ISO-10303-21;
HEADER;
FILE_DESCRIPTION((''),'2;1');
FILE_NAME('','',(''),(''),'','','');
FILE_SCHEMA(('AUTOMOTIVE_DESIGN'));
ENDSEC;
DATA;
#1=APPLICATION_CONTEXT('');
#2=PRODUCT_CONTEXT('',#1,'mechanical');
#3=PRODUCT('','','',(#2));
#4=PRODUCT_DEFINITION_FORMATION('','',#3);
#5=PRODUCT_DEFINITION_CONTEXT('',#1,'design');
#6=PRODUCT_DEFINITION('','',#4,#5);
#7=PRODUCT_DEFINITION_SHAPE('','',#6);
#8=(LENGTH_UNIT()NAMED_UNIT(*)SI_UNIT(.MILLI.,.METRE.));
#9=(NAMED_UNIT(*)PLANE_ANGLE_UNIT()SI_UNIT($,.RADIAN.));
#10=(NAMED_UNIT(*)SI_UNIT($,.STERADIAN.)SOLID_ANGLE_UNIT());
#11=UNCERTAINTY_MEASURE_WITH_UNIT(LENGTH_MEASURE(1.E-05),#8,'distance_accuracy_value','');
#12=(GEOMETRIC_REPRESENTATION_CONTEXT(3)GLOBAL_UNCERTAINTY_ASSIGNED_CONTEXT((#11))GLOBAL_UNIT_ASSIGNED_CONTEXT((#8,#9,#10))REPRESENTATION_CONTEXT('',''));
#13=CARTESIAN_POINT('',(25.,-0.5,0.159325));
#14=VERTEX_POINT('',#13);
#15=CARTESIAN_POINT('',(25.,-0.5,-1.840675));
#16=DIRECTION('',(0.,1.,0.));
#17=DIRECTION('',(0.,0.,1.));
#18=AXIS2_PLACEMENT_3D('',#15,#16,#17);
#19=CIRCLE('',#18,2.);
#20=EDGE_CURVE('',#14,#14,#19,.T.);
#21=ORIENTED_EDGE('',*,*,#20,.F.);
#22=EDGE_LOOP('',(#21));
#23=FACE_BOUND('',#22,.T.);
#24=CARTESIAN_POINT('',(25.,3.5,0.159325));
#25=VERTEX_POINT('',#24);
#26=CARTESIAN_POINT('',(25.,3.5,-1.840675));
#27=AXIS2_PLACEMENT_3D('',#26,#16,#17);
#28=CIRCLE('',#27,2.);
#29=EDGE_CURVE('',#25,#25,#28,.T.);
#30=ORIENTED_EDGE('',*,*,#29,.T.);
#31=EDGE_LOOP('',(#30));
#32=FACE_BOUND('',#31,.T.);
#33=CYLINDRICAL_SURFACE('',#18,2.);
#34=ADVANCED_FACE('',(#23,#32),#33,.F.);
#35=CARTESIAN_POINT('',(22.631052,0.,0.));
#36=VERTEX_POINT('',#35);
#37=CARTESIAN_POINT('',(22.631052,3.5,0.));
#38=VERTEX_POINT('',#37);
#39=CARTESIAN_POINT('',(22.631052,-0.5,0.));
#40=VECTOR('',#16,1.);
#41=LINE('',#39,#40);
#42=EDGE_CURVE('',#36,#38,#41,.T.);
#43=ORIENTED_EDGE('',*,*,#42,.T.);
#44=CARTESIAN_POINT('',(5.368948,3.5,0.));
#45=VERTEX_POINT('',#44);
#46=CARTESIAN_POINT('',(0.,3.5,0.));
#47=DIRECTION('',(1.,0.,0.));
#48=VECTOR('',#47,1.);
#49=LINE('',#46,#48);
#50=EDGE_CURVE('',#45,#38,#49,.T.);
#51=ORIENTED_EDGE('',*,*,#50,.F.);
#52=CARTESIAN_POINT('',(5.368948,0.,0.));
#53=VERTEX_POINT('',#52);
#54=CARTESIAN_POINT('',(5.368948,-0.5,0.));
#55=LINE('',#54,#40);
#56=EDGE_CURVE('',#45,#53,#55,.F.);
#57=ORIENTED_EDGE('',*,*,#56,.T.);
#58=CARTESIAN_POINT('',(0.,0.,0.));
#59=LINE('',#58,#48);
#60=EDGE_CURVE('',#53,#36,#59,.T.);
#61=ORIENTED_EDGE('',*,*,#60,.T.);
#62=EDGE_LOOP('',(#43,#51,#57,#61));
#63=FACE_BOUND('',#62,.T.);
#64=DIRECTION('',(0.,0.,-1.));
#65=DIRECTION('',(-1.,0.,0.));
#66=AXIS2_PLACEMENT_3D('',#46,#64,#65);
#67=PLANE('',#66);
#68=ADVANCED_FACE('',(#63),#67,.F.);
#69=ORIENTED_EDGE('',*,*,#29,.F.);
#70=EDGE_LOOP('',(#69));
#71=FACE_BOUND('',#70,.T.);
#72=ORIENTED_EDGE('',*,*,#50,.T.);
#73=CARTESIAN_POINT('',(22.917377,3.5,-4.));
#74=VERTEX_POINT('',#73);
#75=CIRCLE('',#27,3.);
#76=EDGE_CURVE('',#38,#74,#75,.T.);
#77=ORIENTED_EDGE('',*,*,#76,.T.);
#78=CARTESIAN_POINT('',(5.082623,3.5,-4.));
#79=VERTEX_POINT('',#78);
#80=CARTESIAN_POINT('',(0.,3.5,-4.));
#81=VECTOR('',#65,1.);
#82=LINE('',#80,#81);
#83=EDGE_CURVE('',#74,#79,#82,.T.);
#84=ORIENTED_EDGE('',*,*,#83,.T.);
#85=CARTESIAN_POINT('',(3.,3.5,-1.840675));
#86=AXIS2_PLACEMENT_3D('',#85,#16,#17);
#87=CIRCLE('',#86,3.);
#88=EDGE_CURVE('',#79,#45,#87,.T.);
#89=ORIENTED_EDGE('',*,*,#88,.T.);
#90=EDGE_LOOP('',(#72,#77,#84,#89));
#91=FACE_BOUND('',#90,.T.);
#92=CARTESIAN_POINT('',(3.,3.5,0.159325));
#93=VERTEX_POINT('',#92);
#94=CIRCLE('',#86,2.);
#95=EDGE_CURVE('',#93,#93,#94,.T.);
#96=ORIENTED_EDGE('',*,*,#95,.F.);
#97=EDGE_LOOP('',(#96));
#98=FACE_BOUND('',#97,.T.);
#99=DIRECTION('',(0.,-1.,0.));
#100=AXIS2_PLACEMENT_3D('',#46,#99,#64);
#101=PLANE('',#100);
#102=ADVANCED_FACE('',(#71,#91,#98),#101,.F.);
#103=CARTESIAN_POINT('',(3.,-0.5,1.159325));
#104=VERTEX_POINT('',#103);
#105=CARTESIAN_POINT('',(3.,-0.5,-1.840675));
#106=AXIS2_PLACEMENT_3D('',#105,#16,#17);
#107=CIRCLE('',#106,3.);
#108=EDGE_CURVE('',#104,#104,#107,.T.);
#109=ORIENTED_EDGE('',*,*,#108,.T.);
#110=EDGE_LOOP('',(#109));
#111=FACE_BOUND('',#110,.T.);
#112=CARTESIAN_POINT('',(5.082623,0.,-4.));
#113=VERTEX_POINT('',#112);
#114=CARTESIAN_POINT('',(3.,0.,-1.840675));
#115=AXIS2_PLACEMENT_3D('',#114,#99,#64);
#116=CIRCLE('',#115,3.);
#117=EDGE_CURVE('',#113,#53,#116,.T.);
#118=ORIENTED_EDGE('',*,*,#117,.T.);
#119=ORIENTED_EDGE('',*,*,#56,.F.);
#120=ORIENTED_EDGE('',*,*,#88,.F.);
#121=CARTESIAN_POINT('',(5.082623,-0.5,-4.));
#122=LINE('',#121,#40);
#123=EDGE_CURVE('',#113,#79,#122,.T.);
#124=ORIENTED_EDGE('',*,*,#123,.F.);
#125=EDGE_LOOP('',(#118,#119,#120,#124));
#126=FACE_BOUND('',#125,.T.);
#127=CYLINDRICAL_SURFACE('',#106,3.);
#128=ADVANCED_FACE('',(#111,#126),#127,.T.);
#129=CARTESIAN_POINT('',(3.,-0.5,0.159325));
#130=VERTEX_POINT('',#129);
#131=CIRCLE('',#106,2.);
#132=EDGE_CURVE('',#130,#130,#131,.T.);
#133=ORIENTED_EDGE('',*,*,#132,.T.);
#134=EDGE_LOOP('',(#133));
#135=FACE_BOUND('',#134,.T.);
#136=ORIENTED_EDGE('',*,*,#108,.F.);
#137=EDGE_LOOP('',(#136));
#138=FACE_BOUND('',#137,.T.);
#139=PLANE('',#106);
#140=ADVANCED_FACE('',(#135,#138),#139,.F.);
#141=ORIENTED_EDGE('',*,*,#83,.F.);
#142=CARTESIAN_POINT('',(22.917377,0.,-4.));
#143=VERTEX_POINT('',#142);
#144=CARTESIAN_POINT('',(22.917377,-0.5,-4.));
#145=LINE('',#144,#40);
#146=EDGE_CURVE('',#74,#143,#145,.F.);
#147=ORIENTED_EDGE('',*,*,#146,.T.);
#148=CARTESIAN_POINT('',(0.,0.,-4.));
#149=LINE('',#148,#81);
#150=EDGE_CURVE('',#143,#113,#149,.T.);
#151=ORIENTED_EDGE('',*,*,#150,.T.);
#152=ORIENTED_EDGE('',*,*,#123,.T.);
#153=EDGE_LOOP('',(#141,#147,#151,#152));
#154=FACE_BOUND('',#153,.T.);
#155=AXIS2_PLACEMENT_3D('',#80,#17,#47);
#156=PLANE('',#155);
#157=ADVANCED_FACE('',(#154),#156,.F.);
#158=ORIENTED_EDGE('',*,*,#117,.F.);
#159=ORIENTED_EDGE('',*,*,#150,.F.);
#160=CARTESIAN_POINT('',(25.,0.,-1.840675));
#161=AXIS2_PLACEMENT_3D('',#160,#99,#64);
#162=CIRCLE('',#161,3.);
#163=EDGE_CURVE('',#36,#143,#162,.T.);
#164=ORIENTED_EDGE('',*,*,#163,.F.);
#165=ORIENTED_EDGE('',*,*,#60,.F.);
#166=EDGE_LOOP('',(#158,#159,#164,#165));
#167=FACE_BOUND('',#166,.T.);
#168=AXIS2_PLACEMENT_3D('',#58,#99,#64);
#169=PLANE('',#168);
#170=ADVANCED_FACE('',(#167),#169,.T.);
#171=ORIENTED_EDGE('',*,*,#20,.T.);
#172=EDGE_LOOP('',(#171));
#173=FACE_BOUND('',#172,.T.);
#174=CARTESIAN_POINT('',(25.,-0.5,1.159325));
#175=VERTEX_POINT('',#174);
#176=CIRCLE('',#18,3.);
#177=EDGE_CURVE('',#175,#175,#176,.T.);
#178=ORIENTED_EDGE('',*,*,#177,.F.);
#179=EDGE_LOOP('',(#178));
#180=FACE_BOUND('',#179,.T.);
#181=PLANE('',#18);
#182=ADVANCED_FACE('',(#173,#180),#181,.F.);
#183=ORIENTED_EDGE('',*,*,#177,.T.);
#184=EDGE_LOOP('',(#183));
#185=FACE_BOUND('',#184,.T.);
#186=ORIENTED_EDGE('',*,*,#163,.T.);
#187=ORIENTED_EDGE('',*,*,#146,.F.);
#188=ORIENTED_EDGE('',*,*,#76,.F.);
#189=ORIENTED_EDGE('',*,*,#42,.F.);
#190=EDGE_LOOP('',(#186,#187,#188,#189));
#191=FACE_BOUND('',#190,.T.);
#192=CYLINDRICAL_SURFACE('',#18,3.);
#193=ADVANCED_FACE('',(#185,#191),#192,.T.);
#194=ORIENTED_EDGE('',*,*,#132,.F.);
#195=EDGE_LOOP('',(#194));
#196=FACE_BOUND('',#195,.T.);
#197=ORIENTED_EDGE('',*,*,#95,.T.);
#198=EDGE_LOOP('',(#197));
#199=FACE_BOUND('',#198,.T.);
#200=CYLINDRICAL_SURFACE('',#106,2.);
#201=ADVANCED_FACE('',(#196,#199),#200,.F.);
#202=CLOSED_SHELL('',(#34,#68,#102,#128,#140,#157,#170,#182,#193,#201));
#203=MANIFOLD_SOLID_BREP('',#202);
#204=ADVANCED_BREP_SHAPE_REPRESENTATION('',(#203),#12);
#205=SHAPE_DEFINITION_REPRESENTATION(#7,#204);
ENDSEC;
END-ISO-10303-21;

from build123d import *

# Parameters (mm, degrees)
ESQUISSE1_W             = 28
ESQUISSE1_H             = 4
BOSS_EXTRU_1_DEPTH      = 3.5
ESQUISSE2_R             = 3
BOSS_EXTRU_2_DEPTH      = 4
ESQUISSE3_R             = 2
ENL_V_MAT_EXTRU_1_DEPTH = 4
ENL_V_MAT_EXTRU_2_DEPTH = 4
ENL_V_MAT_EXTRU_3_DEPTH = 4


with BuildPart() as part:
    # Esquisse1 → Boss.-Extru.1 (new body)
    with BuildSketch(Plane(origin=(0, 0, 0), x_dir=(1, 0, 0), z_dir=(0, 1, 0))):
        with Locations((14, 2)):
            Rectangle(ESQUISSE1_W, ESQUISSE1_H)
    extrude(amount=BOSS_EXTRU_1_DEPTH)

    # Esquisse2 → Boss.-Extru.2 (add)
    with BuildSketch(Plane(origin=(0, 3.5, 0), x_dir=(1, 0, 0), z_dir=(0, 1, 0))):
        with Locations(Location((3, 1.840675307, 0), (0, 0, 270))):
            Circle(ESQUISSE2_R)
        with Locations(Location((25, 1.840675307, 0), (0, 0, 270))):
            Circle(ESQUISSE2_R)
    extrude(amount=-BOSS_EXTRU_2_DEPTH)

    # Esquisse3 → Enlèv. mat.-Extru.1 (cut)
    with BuildSketch(Plane(origin=(0, 3.5, 0), x_dir=(1, 0, 0), z_dir=(0, 1, 0))):
        with Locations(Location((3, 1.840675307, 0), (0, 0, 270))):
            Circle(ESQUISSE3_R)
        with Locations(Location((25, 1.840675307, 0), (0, 0, 270))):
            Circle(ESQUISSE3_R)
    extrude(amount=-ENL_V_MAT_EXTRU_1_DEPTH, mode=Mode.SUBTRACT)

    # Esquisse4 → Enlèv. mat.-Extru.2 (cut)
    with BuildSketch(Plane(origin=(0, 3.5, 0), x_dir=(1, 0, 0), z_dir=(0, 1, 0))):
        with BuildLine():
            Line((0.917377406, 4), (-0.491965761, 5.461248673))
            Line((-0.491965761, 5.461248673), (-4.245883295, 1.840675307))
            Line((-4.245883295, 1.840675307), (-0.73023333, -1.804454542))
            Line((-0.73023333, -1.804454542), (0.631052045, 0))
            ThreePointArc((0.631052045, 0), (0.007656422, 2.054871271), (0.917377406, 4))
        make_face()
    extrude(amount=-ENL_V_MAT_EXTRU_2_DEPTH, mode=Mode.SUBTRACT)

    # Esquisse5 → Enlèv. mat.-Extru.3 (cut)
    with BuildSketch(Plane(origin=(0, 3.5, 0), x_dir=(1, 0, 0), z_dir=(0, 1, 0))):
        with BuildLine():
            Line((27.082622594, 4), (30.63271591, 7.550093316))
            Line((30.63271591, 7.550093316), (35.597188908, 2.585620319))
            Line((35.597188908, 2.585620319), (29.60753561, -3.40403298))
            Line((29.60753561, -3.40403298), (27.368947955, 0))
            ThreePointArc((27.368947955, 0), (27.992343578, 2.054871271), (27.082622594, 4))
        make_face()
    extrude(amount=-ENL_V_MAT_EXTRU_3_DEPTH, mode=Mode.SUBTRACT)


solid = part.part
